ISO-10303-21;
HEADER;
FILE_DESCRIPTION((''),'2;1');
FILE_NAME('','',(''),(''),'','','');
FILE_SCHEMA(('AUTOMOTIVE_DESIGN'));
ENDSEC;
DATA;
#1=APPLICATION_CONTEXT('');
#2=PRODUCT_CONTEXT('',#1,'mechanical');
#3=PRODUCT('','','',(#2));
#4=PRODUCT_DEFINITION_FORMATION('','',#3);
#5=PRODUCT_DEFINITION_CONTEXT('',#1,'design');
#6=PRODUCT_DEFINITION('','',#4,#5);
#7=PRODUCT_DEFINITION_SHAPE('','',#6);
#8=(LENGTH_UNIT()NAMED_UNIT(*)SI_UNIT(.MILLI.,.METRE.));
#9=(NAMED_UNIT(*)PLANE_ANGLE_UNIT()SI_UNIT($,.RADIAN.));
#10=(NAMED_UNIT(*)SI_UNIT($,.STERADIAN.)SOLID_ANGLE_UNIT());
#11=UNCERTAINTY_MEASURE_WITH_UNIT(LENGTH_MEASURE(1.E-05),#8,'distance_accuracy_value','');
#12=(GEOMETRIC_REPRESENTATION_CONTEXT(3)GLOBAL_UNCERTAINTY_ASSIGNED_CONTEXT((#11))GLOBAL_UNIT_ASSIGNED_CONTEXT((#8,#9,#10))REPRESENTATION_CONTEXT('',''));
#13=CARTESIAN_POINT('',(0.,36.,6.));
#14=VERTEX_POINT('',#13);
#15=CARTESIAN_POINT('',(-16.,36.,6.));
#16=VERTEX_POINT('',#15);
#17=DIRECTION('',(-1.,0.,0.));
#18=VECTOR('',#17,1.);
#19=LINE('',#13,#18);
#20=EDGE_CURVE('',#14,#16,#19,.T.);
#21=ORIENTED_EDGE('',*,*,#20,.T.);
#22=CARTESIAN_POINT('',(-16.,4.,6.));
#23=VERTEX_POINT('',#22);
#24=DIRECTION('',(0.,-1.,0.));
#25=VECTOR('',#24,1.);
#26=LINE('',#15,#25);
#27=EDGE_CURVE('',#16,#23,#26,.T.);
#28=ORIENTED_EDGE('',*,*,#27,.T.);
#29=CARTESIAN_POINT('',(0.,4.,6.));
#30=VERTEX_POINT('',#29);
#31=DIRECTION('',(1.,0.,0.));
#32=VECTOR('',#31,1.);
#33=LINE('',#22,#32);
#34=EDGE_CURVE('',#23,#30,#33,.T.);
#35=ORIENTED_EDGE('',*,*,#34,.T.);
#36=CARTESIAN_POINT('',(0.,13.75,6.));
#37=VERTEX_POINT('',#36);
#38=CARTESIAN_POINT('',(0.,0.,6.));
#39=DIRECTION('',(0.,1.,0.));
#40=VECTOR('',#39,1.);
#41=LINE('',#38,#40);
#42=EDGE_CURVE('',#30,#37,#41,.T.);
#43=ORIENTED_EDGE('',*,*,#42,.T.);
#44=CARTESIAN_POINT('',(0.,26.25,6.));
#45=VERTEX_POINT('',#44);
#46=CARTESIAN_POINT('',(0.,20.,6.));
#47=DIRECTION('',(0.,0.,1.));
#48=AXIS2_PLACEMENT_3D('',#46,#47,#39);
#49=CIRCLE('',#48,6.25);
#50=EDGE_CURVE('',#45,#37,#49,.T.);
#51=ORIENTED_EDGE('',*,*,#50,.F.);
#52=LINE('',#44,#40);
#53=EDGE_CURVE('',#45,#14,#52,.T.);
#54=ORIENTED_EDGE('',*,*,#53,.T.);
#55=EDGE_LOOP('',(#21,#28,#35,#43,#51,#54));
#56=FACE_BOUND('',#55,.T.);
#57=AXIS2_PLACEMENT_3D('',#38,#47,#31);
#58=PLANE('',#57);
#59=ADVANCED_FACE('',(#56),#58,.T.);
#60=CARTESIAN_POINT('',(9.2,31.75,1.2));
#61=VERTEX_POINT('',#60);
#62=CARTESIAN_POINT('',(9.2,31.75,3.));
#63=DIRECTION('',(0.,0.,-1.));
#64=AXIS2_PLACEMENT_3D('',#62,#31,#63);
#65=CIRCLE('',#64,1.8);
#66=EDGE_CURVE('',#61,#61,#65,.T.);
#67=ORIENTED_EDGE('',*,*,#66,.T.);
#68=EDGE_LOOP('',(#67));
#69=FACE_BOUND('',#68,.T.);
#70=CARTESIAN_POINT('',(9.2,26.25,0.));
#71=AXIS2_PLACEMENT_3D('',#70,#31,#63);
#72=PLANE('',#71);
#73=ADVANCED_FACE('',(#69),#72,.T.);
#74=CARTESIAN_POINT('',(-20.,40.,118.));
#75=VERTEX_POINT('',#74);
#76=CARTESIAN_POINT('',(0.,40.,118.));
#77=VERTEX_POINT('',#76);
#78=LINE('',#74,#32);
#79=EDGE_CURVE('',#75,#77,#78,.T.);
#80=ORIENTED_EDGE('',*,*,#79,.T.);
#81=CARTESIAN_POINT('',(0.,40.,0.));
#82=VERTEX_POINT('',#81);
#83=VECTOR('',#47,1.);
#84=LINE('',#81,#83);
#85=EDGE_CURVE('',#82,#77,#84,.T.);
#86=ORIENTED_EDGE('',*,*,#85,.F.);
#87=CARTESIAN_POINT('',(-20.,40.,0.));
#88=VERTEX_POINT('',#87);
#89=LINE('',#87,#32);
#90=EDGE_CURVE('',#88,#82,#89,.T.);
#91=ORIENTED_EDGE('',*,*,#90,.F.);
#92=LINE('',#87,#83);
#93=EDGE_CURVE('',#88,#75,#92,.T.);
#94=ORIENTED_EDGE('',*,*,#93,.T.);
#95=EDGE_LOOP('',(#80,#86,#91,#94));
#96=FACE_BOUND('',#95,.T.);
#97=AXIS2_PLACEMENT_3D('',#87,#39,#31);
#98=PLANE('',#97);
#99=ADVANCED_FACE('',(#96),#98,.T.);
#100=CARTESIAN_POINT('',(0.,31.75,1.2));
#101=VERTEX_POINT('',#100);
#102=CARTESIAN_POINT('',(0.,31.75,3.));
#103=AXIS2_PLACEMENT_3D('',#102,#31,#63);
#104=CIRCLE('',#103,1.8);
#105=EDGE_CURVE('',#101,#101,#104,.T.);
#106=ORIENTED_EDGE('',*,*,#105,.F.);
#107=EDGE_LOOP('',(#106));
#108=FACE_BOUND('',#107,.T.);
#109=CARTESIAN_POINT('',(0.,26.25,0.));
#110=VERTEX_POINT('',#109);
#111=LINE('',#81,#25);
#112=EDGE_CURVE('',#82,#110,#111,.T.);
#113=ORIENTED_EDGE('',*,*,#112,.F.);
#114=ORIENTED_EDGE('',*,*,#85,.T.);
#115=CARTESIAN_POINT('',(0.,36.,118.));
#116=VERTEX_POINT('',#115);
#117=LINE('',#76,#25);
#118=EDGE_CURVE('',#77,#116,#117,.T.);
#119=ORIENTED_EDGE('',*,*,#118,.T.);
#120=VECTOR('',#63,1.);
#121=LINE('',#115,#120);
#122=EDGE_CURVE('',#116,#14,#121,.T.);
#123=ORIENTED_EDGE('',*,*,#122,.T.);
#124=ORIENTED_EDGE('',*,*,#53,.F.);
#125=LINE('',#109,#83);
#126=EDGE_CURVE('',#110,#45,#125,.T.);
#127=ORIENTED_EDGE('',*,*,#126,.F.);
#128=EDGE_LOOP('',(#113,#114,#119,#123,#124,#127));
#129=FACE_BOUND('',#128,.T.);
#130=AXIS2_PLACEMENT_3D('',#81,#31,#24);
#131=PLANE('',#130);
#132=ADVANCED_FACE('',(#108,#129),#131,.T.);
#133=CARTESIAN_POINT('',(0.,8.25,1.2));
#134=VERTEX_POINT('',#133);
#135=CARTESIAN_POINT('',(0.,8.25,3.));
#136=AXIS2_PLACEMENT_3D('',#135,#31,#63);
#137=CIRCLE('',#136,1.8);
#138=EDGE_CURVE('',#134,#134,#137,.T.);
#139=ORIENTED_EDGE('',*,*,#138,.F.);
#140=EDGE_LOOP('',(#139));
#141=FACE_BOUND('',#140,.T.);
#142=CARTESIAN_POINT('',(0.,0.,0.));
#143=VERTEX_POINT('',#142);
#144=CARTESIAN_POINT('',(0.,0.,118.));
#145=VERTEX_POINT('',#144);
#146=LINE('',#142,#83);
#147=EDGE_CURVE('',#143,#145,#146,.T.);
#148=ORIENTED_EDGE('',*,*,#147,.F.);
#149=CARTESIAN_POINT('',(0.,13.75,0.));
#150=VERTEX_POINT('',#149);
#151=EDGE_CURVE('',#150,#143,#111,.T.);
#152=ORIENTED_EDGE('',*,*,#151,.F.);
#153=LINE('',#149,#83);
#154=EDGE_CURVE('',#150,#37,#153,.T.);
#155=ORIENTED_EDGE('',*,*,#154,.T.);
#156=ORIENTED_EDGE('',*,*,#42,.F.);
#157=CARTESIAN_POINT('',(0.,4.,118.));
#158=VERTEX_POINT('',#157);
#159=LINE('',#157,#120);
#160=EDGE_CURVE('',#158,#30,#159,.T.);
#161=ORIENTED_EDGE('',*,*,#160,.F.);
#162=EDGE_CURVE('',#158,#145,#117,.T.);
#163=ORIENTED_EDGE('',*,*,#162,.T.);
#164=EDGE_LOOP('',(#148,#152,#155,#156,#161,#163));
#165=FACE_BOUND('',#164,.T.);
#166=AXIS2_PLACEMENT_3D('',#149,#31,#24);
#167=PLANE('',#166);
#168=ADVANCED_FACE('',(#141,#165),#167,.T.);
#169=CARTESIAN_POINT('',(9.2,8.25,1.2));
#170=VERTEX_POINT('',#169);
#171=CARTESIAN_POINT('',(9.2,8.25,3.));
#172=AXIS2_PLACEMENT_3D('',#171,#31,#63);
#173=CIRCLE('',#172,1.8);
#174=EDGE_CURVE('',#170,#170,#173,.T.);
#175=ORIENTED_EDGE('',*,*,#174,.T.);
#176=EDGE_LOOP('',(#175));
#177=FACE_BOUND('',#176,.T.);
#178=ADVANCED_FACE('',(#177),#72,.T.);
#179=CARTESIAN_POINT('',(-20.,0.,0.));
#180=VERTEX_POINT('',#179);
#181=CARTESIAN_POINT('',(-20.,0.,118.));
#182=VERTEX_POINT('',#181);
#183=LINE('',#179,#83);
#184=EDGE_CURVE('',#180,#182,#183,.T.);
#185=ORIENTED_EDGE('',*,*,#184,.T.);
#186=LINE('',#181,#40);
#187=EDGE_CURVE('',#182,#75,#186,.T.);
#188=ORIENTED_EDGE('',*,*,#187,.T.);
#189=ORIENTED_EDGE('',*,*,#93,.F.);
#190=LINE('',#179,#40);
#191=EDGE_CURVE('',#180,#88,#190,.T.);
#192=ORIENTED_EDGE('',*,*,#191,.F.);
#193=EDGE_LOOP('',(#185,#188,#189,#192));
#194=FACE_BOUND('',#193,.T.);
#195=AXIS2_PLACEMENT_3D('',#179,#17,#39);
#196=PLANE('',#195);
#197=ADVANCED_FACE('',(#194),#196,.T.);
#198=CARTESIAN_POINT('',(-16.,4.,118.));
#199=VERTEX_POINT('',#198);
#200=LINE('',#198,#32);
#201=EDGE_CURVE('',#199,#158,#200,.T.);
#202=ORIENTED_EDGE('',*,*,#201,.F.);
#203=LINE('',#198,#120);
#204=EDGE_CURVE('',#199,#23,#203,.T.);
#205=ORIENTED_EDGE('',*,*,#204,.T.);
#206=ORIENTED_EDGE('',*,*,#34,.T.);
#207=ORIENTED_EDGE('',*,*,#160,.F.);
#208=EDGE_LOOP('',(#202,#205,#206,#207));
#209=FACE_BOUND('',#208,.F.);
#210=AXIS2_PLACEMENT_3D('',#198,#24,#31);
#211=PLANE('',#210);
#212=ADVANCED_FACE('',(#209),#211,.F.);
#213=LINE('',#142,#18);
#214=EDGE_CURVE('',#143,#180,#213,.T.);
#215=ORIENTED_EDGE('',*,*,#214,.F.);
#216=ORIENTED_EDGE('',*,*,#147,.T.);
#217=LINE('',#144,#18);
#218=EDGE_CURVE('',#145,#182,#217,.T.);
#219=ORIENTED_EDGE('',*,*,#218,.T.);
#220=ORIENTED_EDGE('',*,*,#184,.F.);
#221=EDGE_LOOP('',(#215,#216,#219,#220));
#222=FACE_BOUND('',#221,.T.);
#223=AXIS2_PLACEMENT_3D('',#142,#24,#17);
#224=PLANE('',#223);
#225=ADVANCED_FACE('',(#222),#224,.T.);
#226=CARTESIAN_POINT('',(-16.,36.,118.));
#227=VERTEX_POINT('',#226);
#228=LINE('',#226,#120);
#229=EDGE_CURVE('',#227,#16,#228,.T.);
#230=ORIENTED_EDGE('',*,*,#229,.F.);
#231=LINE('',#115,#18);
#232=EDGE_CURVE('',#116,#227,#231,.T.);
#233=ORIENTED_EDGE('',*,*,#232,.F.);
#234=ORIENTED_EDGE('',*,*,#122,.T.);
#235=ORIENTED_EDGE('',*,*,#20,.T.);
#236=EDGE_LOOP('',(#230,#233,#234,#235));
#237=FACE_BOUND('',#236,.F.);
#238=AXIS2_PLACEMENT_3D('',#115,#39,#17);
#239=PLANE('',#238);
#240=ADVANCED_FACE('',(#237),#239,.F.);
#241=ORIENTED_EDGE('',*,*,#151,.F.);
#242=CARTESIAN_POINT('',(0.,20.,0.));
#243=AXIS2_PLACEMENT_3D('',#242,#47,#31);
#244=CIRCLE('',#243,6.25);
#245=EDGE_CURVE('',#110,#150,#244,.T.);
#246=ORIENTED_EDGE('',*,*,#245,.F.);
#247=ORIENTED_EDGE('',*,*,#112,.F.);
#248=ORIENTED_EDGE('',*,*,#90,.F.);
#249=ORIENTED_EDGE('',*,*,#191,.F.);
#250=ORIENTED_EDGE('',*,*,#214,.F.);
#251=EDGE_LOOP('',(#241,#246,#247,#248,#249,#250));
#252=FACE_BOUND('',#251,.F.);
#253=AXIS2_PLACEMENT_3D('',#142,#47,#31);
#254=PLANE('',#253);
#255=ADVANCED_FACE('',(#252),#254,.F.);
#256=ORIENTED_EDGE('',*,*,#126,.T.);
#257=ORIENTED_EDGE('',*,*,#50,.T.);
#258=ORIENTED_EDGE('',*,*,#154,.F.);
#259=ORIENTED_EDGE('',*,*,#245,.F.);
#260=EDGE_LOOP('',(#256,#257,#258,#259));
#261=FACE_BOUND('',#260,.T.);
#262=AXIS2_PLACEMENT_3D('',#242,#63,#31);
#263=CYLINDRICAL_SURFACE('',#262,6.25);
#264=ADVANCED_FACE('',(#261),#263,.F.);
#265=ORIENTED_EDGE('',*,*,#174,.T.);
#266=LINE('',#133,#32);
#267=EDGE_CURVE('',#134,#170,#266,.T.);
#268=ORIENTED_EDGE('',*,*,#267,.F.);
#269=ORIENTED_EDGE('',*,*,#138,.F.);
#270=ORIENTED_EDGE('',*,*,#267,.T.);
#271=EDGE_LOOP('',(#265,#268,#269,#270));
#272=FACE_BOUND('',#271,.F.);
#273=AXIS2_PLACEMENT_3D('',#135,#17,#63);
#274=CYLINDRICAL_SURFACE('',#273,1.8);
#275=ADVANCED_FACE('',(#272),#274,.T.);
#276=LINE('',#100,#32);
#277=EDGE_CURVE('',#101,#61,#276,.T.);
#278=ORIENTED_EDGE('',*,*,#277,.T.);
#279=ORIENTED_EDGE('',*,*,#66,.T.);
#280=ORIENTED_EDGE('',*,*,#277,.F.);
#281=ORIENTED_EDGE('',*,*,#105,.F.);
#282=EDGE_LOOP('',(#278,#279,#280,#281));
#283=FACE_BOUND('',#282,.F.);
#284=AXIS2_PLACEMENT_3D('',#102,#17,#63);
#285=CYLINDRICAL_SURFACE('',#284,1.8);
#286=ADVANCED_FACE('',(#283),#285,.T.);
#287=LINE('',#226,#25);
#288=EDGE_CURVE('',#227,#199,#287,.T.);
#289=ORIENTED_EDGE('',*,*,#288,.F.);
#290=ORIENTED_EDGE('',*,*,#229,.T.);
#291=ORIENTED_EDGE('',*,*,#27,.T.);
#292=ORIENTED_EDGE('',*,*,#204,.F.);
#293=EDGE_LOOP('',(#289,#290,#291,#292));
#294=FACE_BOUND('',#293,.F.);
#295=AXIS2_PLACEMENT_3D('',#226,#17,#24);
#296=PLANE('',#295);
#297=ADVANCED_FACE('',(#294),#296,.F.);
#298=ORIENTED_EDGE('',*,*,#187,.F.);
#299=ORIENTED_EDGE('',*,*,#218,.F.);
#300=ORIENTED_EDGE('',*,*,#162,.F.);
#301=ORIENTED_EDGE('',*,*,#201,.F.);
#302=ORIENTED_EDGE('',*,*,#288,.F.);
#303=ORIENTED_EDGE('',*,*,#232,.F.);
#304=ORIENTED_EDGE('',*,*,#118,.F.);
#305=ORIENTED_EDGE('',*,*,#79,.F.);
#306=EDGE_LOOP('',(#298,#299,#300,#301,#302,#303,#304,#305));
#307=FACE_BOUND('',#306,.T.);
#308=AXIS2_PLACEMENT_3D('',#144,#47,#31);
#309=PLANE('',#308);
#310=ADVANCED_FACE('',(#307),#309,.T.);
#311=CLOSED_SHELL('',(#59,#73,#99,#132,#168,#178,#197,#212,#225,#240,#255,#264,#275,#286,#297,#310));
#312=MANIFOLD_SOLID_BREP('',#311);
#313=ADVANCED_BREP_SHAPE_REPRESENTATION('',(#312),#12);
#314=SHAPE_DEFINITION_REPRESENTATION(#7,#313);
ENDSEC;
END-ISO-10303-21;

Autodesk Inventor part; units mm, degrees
ref_plane "YZ Plane" through (0, 0, 0) normal (1, 0, 0) x (0, 1, 0)
ref_plane "XZ Plane" through (0, 0, 0) normal (0, 1, 0) x (-1, 0, 0)
ref_plane "XY Plane" through (0, 0, 0) normal (0, 0, 1) x (1, 0, 0)
sketch "스케치1" plane through (0, 0, 0) normal (0, 0, 1) x (1, 0, 0)
  line L0 (-20, 40) -> (0, 40)
  line L1 (0, 40) -> (0, 0)
  line L2 (0, 0) -> (-20, 0)
  line L3 (-20, 0) -> (-20, 40)
  circle A0 centre (0, 20) radius 6.25
  line L4 (0, -8) -> (0, 48) projected
  point P0 (0, 13.75)
  point P1 (0, 26.25)
  dimension "d0" = 20
  dimension "d1" = 40
  dimension "d2" = 12.5
  dimension "d3" = 20
extrude "돌출1" add sketch "스케치1" along normal blind 118 contours L0 L1 A0 L2 L3
sketch "스케치2" plane through (0, 0, 118) normal (0, 0, 1) x (1, 0, 0)
  line L0 (0, 40) -> (-20, 40) projected
  line L1 (0, 26.25) -> (0, 40) projected
  arc A0 (0, 26.25) -> (0, 13.75) centre (0, 20) ccw projected
  line L2 (0, 0) -> (0, 13.75) projected
  line L3 (-20, 0) -> (0, 0) projected
  line L4 (0, 36) -> (-16, 36)
  line L5 (-16, 36) -> (-16, 4)
  line L6 (-16, 4) -> (0, 4)
  dimension "d6" = 16
  dimension "d7" = 32
  dimension "d8" = 4
extrude "돌출2" cut sketch "스케치2" against normal blind 112
sketch "스케치4" plane through (0, 26.25, 0) normal (1, 0, 0) x (0, 0, -1)
  circle A0 centre (-3, 5.5) radius 1.8
  circle A1 centre (-3, -18) radius 1.8
  line L0 (0, -26.25) -> (0, -12.5) projected
  line L1 (0, -12.5) -> (-6, -12.5) projected
  line L2 (0, 0) -> (-6, 0) projected
  line L3 (0, 0) -> (0, 13.75) projected
  dimension "d19" = 3.6
  dimension "d20" = 3.6
  dimension "d21" = 3
  dimension "d22" = 5.5
  dimension "d23" = 5.5
  dimension "d24" = 3
extrude "돌출4" add sketch "스케치4" along normal blind 9.2
properties part number "hard_support_m"
